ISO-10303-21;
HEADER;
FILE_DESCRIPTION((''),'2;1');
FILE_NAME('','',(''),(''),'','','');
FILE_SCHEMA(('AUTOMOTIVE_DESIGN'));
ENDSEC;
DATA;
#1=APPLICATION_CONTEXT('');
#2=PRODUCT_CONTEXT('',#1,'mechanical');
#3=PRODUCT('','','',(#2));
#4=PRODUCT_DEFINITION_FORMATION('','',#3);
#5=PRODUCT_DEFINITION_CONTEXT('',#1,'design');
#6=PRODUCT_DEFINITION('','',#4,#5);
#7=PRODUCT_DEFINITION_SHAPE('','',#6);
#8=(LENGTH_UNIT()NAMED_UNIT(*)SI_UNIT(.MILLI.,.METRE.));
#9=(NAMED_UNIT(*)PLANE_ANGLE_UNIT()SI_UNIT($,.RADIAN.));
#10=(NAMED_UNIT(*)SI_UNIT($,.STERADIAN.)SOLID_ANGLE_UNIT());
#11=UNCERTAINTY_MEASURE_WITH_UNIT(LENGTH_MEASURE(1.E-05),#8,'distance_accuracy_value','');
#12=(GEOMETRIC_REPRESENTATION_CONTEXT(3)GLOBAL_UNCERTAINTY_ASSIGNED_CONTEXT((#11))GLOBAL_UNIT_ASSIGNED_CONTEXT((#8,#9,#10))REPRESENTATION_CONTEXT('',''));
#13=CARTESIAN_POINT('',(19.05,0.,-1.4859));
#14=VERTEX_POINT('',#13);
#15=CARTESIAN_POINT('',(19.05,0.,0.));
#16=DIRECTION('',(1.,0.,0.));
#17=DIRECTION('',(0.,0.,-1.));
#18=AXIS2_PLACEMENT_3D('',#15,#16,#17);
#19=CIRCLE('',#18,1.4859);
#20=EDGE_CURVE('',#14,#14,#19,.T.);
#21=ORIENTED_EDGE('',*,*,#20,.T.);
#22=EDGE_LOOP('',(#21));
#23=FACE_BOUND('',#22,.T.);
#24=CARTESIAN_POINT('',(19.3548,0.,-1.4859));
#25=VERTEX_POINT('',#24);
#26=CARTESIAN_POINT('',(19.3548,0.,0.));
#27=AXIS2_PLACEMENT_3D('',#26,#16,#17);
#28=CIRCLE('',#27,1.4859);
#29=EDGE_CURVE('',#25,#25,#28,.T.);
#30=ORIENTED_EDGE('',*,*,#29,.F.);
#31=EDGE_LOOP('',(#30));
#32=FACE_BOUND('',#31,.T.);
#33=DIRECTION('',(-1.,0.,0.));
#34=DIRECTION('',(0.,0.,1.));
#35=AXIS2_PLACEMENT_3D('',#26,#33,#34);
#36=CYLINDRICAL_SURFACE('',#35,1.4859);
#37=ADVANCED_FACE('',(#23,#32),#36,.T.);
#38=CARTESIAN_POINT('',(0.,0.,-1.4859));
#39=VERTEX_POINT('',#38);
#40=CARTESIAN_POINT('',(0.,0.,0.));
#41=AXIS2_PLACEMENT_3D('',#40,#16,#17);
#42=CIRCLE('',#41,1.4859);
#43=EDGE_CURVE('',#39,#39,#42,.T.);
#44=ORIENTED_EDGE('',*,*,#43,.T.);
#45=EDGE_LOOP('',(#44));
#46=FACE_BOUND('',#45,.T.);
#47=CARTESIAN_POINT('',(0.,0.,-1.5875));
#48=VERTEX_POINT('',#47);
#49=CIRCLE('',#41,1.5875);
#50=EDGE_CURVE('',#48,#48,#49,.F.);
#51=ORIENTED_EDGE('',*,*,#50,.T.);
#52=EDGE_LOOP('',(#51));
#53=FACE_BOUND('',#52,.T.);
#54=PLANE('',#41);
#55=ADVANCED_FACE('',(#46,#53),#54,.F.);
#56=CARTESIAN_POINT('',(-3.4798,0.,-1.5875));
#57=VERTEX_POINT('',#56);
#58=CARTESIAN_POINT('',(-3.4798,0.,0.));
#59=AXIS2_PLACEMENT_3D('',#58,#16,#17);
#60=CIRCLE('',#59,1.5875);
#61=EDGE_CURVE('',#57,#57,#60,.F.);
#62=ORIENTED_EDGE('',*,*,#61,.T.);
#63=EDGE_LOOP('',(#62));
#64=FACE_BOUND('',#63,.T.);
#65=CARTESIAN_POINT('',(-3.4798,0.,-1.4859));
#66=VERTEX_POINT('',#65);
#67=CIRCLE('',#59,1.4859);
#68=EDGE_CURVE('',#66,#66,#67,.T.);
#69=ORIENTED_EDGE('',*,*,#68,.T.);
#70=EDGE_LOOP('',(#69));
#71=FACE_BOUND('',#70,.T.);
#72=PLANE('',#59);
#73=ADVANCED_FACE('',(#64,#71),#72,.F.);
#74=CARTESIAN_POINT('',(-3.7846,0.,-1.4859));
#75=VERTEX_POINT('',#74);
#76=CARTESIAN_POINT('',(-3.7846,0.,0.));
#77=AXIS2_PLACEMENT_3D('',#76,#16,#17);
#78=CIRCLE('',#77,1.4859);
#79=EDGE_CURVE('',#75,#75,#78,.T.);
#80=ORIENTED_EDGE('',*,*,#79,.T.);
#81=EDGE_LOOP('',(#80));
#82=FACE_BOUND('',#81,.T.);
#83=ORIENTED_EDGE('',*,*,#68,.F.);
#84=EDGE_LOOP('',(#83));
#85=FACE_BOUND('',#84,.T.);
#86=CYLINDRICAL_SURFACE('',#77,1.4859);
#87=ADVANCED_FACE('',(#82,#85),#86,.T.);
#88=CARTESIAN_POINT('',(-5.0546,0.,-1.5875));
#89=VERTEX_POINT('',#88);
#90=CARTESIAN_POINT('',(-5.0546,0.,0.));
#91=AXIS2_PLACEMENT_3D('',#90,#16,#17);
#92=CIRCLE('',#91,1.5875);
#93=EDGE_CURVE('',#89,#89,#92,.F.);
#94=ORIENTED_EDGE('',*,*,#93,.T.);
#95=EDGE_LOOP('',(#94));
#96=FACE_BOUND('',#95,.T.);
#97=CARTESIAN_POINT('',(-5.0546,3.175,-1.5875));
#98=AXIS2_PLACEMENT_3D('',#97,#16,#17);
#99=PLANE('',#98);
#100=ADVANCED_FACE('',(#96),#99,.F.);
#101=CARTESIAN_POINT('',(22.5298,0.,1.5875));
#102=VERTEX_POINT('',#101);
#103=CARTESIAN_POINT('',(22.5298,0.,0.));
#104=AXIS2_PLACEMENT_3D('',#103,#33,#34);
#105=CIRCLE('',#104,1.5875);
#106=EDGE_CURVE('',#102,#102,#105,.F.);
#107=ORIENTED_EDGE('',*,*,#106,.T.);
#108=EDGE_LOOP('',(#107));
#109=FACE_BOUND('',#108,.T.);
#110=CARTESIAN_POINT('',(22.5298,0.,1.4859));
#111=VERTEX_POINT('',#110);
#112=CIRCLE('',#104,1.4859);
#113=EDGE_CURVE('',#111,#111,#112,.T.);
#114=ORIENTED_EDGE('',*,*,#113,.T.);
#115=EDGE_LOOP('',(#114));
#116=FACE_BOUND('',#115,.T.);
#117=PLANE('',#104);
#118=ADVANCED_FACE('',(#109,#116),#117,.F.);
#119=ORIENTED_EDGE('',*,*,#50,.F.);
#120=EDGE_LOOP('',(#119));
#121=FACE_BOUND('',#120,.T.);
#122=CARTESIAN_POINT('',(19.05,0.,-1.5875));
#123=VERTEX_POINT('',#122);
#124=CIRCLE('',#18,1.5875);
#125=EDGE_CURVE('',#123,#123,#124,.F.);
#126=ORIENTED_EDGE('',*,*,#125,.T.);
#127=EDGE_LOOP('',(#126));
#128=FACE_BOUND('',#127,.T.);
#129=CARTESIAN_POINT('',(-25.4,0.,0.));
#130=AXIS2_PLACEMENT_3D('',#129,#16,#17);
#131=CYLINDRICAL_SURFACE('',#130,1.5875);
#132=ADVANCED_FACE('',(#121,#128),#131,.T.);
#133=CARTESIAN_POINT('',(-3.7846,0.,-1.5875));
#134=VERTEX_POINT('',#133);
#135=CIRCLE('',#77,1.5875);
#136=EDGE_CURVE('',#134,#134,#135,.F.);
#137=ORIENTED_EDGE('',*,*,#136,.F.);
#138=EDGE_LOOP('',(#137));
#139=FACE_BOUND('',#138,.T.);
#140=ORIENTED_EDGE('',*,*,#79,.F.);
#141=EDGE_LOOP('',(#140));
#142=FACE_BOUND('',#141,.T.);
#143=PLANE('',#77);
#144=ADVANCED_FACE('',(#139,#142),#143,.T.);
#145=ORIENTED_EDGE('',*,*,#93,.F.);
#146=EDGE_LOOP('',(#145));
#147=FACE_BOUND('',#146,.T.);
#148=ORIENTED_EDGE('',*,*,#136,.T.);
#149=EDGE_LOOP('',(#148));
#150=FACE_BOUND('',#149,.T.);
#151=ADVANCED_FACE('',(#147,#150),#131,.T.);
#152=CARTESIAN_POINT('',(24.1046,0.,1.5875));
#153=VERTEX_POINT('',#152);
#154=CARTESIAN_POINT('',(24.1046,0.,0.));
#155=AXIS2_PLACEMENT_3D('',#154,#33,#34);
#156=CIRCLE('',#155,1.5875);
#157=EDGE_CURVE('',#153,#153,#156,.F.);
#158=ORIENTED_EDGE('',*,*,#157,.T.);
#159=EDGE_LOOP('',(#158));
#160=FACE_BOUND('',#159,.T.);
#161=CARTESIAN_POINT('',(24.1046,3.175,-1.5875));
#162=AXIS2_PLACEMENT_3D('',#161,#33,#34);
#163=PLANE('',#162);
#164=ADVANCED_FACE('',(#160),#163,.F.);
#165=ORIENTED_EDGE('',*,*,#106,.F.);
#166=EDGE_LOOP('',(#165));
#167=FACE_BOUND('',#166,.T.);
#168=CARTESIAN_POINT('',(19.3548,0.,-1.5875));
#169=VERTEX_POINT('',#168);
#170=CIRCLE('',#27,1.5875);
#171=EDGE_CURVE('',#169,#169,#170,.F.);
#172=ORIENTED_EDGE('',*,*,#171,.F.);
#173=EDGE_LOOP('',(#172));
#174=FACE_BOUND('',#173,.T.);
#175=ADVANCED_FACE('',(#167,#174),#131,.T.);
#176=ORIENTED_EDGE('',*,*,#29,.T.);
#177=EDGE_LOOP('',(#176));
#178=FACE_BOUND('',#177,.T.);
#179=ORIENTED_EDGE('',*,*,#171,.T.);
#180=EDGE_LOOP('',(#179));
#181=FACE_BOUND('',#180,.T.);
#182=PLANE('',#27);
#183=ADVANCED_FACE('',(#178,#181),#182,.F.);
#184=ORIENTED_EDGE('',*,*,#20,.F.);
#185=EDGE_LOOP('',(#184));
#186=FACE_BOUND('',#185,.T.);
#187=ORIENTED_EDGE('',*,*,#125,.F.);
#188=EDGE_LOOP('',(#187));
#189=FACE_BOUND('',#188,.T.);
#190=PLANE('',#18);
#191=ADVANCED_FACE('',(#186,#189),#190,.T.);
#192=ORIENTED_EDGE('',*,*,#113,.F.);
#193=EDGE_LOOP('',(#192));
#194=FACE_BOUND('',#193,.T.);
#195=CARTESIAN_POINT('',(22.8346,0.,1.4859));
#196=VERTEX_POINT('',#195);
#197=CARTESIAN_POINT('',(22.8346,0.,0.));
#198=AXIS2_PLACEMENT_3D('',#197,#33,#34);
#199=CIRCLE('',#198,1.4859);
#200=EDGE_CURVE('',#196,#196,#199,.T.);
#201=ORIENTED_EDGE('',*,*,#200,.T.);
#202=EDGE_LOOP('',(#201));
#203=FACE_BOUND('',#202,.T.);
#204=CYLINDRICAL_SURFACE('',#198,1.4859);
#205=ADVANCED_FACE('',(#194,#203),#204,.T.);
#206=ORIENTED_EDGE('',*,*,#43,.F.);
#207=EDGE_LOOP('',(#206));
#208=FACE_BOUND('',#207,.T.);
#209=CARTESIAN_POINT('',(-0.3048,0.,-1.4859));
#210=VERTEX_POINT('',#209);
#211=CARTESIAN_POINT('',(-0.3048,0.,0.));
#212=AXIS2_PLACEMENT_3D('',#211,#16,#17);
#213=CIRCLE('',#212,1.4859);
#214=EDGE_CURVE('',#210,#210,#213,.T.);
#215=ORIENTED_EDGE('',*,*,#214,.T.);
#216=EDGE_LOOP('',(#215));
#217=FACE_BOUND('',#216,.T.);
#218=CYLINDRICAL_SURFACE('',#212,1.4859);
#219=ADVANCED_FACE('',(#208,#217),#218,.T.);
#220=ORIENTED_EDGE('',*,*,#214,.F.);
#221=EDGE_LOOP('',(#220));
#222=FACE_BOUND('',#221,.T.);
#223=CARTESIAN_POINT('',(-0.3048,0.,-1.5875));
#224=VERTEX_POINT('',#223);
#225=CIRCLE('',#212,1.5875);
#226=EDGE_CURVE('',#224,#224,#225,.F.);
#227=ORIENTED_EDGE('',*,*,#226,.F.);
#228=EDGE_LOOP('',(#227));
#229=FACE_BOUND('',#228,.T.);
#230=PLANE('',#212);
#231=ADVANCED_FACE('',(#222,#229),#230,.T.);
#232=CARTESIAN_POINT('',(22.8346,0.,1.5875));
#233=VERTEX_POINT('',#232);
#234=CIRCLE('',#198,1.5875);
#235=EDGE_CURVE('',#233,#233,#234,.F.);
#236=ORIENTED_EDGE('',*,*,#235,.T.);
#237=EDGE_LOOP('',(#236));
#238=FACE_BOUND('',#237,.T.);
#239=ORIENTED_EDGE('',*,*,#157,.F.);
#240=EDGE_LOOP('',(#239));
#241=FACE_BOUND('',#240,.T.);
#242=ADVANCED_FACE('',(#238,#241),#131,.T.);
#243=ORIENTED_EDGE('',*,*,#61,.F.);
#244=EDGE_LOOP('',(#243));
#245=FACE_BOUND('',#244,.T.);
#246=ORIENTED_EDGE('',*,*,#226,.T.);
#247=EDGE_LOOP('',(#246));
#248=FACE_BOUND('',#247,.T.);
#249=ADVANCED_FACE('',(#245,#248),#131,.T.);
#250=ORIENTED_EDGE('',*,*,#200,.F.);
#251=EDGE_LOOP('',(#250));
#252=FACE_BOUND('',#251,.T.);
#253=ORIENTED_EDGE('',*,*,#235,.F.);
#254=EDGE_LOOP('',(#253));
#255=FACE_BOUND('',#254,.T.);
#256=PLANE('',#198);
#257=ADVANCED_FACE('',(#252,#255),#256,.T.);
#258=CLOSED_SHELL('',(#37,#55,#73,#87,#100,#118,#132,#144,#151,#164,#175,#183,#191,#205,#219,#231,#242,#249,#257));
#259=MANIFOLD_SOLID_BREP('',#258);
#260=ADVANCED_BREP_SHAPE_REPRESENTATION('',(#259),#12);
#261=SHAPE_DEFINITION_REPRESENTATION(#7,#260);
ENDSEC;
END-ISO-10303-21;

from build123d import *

# Parameters (mm, degrees)
SKETCH2_R               = 1.5875
EXTRUDE1_DEPTH          = 25.4
EXTRUDE1_DEPTH_BACK     = 25.4
CHAMFER1_SIZE           = 0.3175
SKETCH3_OUTSIDE_W       = 15.376
SKETCH3_OUTSIDE_H       = 15.376
SKETCH3_OUTSIDE_R       = 1.4859
CUT_EXTRUDE1_DEPTH      = 0.3048
SKETCH4_OUTSIDE_W       = 15.376
SKETCH4_OUTSIDE_H       = 15.376
SKETCH4_OUTSIDE_R       = 1.4859
CUT_EXTRUDE2_DEPTH      = 0.3048
CUT_EXTRUDE4_START      = -3.175
SKETCH6_OUTSIDE_W       = 15.376
SKETCH6_OUTSIDE_H       = 15.376
SKETCH6_OUTSIDE_R       = 1.4859
CUT_EXTRUDE4_DEPTH      = 0.3048
CUT_EXTRUDE5_START      = -3.175
SKETCH8_OUTSIDE_W       = 15.376
SKETCH8_OUTSIDE_H       = 15.376
SKETCH8_OUTSIDE_R       = 1.4859
CUT_EXTRUDE5_DEPTH      = 0.3048
SKETCH5_W               = 20.3454
SKETCH5_H               = 6.35
SKETCH5_W_2             = 1.2954
CUT_EXTRUDE3_DEPTH      = 2.5875
CUT_EXTRUDE3_DEPTH_BACK = 2.5875


with BuildPart() as part:
    # Sketch2 → Extrude1 (new body, two sides)
    with BuildSketch(Plane(origin=(0, 0, 0), x_dir=(0, 0, -1), z_dir=(1, 0, 0))) as extrude1_sk:
        Circle(SKETCH2_R)
    extrude(amount=EXTRUDE1_DEPTH)
    extrude(extrude1_sk.sketch, amount=-EXTRUDE1_DEPTH_BACK)

    # Chamfer1
    chamfer1_edges = [part.edges().sort_by_distance(p)[0] for p in [
        (-25.4, 0, 1.5875),
        (25.4, 0, 1.5875),
    ]]
    chamfer(chamfer1_edges, length=CHAMFER1_SIZE)

    # Sketch3 outside → Cut-Extrude1 (cut)
    with BuildSketch(Plane(origin=(19.05, 0, 0), x_dir=(0, 0, -1), z_dir=(1, 0, 0))):
        Rectangle(SKETCH3_OUTSIDE_W, SKETCH3_OUTSIDE_H)
        Circle(SKETCH3_OUTSIDE_R, mode=Mode.SUBTRACT)
    extrude(amount=CUT_EXTRUDE1_DEPTH, mode=Mode.SUBTRACT)

    # Sketch4 outside → Cut-Extrude2 (cut)
    with BuildSketch(Plane(origin=(0, 0, 0), x_dir=(0, 0, -1), z_dir=(1, 0, 0))):
        Rectangle(SKETCH4_OUTSIDE_W, SKETCH4_OUTSIDE_H)
        Circle(SKETCH4_OUTSIDE_R, mode=Mode.SUBTRACT)
    extrude(amount=-CUT_EXTRUDE2_DEPTH, mode=Mode.SUBTRACT)

    # Sketch6 outside → Cut-Extrude4 (cut)
    with BuildSketch(Plane.ZY.offset(-19.3548).offset(CUT_EXTRUDE4_START)):
        Rectangle(SKETCH6_OUTSIDE_W, SKETCH6_OUTSIDE_H)
        Circle(SKETCH6_OUTSIDE_R, mode=Mode.SUBTRACT)
    extrude(amount=-CUT_EXTRUDE4_DEPTH, mode=Mode.SUBTRACT)

    # Sketch8 outside → Cut-Extrude5 (cut)
    with BuildSketch(Plane(origin=(-0.3048, 0, 0), x_dir=(0, 0, -1), z_dir=(1, 0, 0)).offset(CUT_EXTRUDE5_START)):
        Rectangle(SKETCH8_OUTSIDE_W, SKETCH8_OUTSIDE_H)
        Circle(SKETCH8_OUTSIDE_R, mode=Mode.SUBTRACT)
    extrude(amount=-CUT_EXTRUDE5_DEPTH, mode=Mode.SUBTRACT)

    # Sketch5 → Cut-Extrude3 (cut, two sides)
    with BuildSketch(Plane.XY) as cut_extrude3_sk:
        with Locations((-15.2273, 0)):
            Rectangle(SKETCH5_W, SKETCH5_H)
        with Locations((24.7523, 0)):
            Rectangle(SKETCH5_W_2, SKETCH5_H)
    extrude(amount=CUT_EXTRUDE3_DEPTH, mode=Mode.SUBTRACT)
    extrude(cut_extrude3_sk.sketch, amount=-CUT_EXTRUDE3_DEPTH_BACK, mode=Mode.SUBTRACT)


solid = part.part
